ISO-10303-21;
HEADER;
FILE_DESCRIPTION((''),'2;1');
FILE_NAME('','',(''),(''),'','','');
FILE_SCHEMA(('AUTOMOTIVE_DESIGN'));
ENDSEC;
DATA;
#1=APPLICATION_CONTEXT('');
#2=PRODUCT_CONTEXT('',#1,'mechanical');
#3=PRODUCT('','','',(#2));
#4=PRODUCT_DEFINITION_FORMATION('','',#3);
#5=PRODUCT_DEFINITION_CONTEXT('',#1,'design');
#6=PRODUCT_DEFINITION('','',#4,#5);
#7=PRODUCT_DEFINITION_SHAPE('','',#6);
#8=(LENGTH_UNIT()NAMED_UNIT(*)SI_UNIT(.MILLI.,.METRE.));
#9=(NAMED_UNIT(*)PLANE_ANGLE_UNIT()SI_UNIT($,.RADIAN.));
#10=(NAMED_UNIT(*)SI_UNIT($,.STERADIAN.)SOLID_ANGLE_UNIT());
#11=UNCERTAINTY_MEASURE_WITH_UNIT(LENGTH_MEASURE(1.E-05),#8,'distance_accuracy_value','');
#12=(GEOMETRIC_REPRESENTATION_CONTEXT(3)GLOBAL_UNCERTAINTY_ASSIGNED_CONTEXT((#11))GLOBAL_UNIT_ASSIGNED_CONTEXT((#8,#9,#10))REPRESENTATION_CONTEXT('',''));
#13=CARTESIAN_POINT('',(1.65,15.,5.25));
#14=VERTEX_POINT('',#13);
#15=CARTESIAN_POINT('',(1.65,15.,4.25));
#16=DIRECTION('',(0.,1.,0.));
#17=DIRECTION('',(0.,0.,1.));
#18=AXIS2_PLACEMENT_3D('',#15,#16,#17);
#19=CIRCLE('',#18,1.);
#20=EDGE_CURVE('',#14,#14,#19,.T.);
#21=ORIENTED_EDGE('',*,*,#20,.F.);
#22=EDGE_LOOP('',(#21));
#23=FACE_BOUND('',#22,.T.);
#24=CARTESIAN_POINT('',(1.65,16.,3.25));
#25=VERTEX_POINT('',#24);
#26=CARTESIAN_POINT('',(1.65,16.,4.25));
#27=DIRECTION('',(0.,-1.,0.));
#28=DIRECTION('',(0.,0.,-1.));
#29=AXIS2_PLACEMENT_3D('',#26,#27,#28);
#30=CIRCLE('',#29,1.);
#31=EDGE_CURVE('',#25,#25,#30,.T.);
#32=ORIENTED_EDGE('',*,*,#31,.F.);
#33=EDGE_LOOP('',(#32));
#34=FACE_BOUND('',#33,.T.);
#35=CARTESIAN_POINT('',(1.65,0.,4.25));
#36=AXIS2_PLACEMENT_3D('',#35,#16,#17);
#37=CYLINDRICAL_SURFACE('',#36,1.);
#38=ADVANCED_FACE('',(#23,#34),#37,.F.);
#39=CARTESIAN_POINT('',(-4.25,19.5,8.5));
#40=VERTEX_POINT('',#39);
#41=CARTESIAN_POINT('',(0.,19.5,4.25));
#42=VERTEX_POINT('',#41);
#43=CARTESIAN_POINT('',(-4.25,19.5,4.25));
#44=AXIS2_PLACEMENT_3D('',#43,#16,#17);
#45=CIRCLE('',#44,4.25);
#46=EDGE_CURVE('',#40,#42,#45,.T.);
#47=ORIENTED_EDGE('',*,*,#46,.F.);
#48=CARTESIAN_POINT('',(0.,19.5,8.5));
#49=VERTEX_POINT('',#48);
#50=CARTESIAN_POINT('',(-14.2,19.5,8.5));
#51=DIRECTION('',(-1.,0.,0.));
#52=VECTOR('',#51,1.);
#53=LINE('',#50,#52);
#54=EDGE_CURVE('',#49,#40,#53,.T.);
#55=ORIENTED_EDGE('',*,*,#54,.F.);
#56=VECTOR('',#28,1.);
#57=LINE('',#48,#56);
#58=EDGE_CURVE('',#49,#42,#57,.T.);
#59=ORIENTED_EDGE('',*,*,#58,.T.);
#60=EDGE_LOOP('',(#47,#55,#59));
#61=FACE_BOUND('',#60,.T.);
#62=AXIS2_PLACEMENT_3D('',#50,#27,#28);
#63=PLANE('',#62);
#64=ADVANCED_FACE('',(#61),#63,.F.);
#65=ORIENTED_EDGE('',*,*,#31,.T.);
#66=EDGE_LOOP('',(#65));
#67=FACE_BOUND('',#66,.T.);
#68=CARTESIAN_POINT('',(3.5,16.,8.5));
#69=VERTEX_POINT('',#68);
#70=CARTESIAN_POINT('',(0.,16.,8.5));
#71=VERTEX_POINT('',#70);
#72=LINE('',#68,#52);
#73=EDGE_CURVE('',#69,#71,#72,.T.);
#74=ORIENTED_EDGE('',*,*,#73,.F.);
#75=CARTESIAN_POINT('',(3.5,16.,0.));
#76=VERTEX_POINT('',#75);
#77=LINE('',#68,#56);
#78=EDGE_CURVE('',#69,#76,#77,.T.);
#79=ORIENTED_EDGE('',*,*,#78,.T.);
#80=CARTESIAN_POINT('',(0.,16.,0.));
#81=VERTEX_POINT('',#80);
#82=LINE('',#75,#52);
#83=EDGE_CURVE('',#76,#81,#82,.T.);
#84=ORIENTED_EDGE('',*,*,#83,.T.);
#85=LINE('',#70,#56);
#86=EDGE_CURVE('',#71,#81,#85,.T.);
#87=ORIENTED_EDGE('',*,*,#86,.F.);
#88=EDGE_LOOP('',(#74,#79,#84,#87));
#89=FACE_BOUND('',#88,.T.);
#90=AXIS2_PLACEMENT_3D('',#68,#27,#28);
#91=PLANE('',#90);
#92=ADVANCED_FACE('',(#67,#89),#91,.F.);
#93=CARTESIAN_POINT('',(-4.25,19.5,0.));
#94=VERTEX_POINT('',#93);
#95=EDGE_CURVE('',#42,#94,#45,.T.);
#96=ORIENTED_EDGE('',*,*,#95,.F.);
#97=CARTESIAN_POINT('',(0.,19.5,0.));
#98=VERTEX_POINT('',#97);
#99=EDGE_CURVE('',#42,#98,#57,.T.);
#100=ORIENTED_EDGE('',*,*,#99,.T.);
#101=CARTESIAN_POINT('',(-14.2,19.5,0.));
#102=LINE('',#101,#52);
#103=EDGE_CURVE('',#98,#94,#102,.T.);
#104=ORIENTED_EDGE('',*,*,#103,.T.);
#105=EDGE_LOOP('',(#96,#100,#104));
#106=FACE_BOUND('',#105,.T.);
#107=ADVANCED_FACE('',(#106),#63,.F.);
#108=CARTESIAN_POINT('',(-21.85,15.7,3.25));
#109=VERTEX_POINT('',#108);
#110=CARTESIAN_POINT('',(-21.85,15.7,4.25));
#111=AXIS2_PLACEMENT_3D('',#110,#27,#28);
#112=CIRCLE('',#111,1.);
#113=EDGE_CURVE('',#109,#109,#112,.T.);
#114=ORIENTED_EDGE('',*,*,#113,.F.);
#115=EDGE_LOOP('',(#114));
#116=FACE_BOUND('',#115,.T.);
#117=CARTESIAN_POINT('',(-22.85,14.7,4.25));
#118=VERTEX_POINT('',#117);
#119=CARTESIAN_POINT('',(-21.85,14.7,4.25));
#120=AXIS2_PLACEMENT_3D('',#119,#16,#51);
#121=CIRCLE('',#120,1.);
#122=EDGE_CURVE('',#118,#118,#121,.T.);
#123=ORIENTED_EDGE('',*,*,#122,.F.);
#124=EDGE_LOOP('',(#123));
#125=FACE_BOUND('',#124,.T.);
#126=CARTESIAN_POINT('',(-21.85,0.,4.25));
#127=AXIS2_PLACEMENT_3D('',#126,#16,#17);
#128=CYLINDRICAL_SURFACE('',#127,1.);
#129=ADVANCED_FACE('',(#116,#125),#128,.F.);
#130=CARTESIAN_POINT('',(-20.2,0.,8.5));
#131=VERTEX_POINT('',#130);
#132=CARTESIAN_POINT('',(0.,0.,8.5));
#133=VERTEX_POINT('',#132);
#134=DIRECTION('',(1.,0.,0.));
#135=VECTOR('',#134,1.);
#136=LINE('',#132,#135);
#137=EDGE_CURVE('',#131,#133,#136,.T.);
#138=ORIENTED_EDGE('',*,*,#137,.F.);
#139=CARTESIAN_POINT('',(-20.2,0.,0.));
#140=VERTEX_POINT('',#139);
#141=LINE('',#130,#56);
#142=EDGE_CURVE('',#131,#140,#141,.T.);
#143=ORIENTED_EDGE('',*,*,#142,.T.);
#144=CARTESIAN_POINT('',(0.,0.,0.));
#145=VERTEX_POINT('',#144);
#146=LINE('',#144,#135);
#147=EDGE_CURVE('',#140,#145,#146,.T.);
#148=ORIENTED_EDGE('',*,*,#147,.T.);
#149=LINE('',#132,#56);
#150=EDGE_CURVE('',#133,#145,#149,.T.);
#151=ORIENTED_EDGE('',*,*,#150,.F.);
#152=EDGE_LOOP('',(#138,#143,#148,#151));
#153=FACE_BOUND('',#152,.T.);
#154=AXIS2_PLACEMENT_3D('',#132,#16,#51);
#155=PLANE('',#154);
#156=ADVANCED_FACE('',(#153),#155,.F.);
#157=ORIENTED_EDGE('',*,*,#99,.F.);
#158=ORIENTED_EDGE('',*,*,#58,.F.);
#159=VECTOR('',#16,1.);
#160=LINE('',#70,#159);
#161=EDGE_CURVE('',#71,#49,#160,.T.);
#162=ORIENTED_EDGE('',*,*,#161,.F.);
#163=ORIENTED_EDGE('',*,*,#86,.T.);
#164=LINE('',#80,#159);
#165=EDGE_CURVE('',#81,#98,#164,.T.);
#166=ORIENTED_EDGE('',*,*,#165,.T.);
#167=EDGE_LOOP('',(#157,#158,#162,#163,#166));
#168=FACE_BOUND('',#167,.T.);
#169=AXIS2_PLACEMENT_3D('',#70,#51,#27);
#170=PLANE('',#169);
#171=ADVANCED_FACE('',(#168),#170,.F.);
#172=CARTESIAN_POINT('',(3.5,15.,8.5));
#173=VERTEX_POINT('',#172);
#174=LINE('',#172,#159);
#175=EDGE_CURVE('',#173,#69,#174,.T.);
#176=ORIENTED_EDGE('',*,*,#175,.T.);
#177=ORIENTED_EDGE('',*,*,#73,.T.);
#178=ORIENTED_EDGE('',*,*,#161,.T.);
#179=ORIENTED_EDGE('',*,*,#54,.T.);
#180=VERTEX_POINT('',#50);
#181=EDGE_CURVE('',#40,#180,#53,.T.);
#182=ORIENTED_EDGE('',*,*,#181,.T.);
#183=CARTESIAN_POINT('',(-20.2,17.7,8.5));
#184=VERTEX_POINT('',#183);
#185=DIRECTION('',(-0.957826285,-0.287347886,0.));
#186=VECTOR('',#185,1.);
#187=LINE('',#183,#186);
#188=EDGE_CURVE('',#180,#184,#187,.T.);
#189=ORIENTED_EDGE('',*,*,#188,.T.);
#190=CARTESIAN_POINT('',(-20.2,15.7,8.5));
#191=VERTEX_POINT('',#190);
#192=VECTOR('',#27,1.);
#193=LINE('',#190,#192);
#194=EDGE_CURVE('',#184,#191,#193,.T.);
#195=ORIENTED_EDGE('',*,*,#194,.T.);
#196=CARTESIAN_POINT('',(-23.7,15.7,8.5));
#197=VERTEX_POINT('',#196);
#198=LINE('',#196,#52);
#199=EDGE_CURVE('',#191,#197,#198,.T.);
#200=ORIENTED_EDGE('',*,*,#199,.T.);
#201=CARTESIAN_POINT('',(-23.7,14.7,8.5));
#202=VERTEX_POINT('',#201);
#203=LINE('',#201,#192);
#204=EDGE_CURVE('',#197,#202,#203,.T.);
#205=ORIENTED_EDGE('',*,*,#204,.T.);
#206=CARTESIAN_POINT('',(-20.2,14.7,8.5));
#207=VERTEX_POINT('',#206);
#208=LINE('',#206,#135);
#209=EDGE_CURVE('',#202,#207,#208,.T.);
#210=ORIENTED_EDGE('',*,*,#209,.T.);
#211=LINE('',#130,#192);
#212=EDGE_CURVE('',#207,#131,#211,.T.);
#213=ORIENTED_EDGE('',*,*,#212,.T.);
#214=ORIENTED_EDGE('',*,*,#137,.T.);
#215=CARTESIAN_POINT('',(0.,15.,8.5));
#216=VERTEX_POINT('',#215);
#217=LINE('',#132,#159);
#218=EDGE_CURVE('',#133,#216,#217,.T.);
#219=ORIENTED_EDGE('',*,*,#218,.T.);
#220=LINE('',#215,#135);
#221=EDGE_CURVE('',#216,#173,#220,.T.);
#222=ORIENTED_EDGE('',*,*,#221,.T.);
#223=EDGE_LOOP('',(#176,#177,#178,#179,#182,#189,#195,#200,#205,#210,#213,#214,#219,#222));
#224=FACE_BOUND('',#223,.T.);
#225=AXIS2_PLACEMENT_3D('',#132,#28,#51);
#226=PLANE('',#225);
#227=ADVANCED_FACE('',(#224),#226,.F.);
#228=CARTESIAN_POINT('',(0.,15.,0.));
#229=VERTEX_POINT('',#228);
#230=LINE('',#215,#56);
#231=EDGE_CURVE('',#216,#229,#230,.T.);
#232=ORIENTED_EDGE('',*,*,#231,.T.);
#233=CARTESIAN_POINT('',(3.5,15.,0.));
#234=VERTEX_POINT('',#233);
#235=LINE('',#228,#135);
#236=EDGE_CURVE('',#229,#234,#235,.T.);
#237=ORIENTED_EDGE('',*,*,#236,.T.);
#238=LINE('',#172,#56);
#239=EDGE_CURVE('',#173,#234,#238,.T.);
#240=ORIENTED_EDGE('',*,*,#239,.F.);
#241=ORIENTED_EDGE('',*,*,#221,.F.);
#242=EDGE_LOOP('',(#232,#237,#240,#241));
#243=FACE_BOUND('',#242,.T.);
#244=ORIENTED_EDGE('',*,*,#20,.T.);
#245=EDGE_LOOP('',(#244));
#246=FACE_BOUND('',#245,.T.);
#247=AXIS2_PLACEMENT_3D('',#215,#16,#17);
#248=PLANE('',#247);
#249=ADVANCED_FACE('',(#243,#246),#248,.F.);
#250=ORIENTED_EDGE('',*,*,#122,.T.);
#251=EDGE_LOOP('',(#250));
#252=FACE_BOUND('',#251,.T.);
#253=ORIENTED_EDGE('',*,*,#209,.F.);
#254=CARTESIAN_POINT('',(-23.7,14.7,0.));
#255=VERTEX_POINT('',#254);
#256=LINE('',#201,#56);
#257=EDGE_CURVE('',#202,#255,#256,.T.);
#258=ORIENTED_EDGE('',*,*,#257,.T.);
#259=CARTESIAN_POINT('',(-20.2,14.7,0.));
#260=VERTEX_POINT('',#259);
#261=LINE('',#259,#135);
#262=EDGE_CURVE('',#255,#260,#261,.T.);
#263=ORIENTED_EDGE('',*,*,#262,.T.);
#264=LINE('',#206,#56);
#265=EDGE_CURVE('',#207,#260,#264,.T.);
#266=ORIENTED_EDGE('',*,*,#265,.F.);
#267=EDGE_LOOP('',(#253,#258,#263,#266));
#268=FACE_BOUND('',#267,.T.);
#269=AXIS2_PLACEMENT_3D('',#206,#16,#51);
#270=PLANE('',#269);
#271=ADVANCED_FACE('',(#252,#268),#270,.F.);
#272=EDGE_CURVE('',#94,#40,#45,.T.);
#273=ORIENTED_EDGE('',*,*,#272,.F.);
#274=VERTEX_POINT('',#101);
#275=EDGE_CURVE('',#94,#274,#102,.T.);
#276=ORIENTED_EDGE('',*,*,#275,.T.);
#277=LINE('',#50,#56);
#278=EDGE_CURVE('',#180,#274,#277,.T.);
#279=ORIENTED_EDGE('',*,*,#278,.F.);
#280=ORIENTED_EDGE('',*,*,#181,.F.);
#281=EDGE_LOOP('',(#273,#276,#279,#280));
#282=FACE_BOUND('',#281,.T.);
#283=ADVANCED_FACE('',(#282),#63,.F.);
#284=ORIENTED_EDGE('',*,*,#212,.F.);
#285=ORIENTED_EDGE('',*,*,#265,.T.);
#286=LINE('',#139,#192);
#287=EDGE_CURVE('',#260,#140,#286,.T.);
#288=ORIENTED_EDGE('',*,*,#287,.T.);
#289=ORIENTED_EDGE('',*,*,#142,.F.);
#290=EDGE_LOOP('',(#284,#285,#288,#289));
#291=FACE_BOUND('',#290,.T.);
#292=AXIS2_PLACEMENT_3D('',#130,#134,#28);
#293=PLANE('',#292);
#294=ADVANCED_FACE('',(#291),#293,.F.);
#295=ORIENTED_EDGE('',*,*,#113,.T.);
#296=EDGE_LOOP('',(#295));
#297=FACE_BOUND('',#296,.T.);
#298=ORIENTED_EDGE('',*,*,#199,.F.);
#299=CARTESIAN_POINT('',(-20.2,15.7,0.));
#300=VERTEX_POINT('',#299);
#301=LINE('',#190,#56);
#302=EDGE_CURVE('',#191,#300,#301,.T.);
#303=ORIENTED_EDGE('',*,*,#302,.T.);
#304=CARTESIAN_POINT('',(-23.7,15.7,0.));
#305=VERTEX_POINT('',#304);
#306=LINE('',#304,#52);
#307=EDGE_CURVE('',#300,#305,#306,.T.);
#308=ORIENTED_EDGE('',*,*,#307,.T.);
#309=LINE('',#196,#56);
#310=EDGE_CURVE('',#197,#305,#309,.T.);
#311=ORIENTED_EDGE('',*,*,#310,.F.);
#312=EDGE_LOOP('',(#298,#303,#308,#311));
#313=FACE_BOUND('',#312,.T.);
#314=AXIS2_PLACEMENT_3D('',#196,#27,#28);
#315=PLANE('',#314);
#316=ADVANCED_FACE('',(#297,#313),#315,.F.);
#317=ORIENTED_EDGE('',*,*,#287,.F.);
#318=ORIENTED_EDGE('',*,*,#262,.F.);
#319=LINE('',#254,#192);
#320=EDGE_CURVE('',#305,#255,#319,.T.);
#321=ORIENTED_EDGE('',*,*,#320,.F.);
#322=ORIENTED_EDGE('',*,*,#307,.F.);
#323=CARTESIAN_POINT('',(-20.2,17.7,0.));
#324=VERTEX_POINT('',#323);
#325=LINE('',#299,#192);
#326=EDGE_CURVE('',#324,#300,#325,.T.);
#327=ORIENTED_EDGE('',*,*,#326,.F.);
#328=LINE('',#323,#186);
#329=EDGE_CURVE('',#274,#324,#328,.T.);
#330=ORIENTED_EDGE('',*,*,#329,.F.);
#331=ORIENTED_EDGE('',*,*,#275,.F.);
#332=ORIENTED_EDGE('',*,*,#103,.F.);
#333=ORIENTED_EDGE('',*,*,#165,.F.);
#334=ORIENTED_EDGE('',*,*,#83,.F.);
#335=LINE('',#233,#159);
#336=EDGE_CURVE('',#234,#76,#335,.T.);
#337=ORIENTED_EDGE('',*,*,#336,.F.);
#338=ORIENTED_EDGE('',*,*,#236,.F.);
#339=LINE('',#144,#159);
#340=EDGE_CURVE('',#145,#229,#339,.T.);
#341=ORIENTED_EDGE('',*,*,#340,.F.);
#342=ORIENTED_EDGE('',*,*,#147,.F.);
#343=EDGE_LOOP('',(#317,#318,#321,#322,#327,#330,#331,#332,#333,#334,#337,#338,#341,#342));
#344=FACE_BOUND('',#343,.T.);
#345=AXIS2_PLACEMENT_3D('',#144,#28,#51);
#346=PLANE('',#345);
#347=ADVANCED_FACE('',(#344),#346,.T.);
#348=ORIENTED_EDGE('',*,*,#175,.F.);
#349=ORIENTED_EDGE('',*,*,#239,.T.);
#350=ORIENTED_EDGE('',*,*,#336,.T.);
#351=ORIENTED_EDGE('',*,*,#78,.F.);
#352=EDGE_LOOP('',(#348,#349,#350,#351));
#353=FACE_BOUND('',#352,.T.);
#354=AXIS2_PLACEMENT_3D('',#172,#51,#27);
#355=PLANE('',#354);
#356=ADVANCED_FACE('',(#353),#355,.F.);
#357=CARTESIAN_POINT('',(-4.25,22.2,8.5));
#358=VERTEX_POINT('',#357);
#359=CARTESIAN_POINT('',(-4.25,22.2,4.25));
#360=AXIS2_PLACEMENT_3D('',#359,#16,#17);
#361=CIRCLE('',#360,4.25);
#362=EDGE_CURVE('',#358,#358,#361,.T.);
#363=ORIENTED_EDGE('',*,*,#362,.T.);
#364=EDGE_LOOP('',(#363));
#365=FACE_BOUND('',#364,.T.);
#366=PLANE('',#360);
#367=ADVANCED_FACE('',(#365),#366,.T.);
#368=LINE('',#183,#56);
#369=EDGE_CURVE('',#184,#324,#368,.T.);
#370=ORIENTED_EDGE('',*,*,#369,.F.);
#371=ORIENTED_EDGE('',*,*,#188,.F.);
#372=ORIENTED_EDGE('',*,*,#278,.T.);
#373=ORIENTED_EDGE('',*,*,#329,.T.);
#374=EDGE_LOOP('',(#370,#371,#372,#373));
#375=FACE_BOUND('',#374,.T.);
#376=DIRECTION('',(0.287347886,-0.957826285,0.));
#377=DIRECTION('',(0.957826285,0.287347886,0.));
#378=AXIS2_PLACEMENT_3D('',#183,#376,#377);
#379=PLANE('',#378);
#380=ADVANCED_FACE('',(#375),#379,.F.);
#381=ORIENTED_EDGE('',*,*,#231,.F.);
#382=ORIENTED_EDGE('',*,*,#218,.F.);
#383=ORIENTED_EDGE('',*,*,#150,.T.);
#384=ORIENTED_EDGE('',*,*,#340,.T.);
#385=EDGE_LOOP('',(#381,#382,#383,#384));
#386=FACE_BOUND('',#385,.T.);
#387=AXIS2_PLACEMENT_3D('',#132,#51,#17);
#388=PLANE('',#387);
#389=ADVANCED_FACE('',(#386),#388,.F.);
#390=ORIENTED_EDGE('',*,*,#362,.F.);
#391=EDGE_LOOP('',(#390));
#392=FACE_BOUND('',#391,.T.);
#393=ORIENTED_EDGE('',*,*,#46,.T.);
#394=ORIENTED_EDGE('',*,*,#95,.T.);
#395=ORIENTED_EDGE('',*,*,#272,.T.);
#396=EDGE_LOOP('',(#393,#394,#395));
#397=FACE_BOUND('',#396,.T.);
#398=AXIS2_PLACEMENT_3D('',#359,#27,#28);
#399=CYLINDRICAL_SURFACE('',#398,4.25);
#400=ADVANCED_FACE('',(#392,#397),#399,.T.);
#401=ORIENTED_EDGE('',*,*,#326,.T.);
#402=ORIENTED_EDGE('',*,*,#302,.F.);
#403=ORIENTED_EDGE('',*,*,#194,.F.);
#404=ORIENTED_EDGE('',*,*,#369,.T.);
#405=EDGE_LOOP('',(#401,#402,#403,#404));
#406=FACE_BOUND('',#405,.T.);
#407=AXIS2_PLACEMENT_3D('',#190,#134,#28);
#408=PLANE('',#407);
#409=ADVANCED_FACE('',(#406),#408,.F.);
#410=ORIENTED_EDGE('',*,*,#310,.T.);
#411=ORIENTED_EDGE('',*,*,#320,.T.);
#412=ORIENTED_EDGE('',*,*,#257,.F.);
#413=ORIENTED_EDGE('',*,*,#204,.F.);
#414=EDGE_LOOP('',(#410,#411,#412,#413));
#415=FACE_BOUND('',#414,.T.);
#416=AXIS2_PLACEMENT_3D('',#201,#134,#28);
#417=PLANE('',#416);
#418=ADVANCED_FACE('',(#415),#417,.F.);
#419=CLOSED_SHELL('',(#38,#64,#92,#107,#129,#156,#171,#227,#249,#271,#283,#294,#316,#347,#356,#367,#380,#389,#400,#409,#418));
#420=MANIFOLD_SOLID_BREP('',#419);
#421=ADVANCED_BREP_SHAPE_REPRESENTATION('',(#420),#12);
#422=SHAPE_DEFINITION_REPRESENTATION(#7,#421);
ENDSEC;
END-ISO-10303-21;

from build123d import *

# Parameters (mm, degrees)
BOSS_EXTRUDE1_DEPTH     = 8.5
SKETCH2_R               = 4.25
BOSS_EXTRUDE2_DEPTH     = 2.7
SKETCH3_R               = 1
CUT_EXTRUDE1_DEPTH      = 7.5
CUT_EXTRUDE1_DEPTH_BACK = 16.7


with BuildPart() as part:
    # Sketch1 → Boss-Extrude1 (new body)
    with BuildSketch(Plane.XY):
        Polygon((0, 0), (-20.2, 0), (-20.2, 14.7), (-23.7, 14.7), (-23.7, 15.7), (-20.2, 15.7), (-20.2, 17.7), (-14.2, 19.5), (0, 19.5), (0, 16), (3.5, 16), (3.5, 15), (0, 15), align=None)
    extrude(amount=BOSS_EXTRUDE1_DEPTH)

    # Sketch2 → Boss-Extrude2 (add)
    with BuildSketch(Plane(origin=(0, 19.5, 0), x_dir=(1, 0, 0), z_dir=(0, 1, 0))):
        with Locations((-4.25, -4.25)):
            Circle(SKETCH2_R)
    extrude(amount=BOSS_EXTRUDE2_DEPTH)

    # Sketch3 → Cut-Extrude1 (cut, two sides)
    with BuildSketch(Plane(origin=(0, 15.7, 0), x_dir=(1, 0, 0), z_dir=(0, 1, 0))) as cut_extrude1_sk:
        with Locations((-21.85, -4.25)):
            Circle(SKETCH3_R)
        with Locations((1.65, -4.25)):
            Circle(SKETCH3_R)
    extrude(amount=CUT_EXTRUDE1_DEPTH, mode=Mode.SUBTRACT)
    extrude(cut_extrude1_sk.sketch, amount=-CUT_EXTRUDE1_DEPTH_BACK, mode=Mode.SUBTRACT)


solid = part.part
